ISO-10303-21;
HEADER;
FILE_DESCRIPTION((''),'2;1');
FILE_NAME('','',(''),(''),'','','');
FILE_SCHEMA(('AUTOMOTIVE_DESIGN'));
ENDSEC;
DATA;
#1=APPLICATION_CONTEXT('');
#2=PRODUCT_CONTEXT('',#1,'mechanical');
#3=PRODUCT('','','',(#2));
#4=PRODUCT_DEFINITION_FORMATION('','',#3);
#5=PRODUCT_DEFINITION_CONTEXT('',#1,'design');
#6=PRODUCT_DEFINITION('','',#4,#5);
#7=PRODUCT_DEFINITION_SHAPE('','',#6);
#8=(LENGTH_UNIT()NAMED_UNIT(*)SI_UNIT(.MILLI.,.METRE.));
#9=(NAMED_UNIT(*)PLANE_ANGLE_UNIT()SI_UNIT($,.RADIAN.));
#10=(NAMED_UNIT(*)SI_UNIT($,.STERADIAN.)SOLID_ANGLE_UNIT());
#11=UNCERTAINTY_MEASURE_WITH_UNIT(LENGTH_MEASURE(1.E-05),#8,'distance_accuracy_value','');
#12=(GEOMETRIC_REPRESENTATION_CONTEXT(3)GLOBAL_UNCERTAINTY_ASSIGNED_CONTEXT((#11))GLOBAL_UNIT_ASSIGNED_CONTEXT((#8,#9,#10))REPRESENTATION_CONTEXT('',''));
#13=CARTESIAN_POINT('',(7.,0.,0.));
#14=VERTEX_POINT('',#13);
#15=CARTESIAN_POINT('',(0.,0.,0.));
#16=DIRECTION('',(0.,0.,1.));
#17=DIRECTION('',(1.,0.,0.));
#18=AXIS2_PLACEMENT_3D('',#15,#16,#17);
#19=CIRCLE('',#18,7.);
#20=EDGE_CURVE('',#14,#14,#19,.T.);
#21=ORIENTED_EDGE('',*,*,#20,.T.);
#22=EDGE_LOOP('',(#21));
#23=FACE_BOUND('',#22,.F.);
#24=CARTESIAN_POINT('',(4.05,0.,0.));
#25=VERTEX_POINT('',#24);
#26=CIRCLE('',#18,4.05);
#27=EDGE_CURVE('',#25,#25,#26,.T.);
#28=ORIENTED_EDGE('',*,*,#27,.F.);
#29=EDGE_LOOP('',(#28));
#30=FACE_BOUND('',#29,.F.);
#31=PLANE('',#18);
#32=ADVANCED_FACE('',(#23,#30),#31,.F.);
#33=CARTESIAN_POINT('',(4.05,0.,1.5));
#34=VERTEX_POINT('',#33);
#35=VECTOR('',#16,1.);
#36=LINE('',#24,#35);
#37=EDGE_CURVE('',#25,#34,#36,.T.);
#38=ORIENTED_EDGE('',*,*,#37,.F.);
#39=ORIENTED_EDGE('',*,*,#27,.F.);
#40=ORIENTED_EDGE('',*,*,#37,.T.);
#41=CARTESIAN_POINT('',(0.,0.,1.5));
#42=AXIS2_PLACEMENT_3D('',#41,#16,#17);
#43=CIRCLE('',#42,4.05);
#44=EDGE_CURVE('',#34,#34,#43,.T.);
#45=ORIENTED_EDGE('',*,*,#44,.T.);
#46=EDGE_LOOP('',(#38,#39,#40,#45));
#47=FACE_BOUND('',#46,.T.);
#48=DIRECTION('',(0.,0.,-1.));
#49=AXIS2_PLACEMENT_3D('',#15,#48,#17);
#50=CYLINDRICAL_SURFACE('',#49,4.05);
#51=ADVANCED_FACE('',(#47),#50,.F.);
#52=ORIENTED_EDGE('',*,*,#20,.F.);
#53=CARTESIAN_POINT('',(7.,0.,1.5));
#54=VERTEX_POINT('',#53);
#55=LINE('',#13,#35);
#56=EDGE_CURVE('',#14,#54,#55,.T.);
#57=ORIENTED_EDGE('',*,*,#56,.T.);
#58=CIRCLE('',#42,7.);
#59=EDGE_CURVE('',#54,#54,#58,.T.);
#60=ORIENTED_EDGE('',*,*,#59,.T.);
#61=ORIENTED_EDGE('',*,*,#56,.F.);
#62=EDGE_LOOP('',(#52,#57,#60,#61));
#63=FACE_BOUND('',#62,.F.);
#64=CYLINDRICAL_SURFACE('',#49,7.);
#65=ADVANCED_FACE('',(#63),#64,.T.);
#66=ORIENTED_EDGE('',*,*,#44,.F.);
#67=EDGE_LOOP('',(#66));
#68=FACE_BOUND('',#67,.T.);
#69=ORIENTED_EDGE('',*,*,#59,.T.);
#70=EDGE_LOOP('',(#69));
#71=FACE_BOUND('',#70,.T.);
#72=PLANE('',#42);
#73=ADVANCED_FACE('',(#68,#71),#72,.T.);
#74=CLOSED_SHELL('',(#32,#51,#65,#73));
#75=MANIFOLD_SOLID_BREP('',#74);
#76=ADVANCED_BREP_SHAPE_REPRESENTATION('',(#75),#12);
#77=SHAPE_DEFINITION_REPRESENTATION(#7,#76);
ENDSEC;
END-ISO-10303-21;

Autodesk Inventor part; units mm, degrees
ref_plane "YZ Plane" through (0, 0, 0) normal (1, 0, 0) x (0, 1, 0)
ref_plane "XZ Plane" through (0, 0, 0) normal (0, 1, 0) x (-1, 0, 0)
ref_plane "XY Plane" through (0, 0, 0) normal (0, 0, 1) x (1, 0, 0)
sketch "スケッチ1" plane through (0, 0, 0) normal (0, 0, 1) x (1, 0, 0)
  circle A0 centre (0, 0) radius 4.05
  circle A1 centre (0, 0) radius 7
  dimension "d0" = 8.1
  dimension "d1" = 14
extrude "押し出し1" add sketch "スケッチ1" along normal blind 1.5
properties part number "TT-0814-15" material "アセタール樹脂、黒"
